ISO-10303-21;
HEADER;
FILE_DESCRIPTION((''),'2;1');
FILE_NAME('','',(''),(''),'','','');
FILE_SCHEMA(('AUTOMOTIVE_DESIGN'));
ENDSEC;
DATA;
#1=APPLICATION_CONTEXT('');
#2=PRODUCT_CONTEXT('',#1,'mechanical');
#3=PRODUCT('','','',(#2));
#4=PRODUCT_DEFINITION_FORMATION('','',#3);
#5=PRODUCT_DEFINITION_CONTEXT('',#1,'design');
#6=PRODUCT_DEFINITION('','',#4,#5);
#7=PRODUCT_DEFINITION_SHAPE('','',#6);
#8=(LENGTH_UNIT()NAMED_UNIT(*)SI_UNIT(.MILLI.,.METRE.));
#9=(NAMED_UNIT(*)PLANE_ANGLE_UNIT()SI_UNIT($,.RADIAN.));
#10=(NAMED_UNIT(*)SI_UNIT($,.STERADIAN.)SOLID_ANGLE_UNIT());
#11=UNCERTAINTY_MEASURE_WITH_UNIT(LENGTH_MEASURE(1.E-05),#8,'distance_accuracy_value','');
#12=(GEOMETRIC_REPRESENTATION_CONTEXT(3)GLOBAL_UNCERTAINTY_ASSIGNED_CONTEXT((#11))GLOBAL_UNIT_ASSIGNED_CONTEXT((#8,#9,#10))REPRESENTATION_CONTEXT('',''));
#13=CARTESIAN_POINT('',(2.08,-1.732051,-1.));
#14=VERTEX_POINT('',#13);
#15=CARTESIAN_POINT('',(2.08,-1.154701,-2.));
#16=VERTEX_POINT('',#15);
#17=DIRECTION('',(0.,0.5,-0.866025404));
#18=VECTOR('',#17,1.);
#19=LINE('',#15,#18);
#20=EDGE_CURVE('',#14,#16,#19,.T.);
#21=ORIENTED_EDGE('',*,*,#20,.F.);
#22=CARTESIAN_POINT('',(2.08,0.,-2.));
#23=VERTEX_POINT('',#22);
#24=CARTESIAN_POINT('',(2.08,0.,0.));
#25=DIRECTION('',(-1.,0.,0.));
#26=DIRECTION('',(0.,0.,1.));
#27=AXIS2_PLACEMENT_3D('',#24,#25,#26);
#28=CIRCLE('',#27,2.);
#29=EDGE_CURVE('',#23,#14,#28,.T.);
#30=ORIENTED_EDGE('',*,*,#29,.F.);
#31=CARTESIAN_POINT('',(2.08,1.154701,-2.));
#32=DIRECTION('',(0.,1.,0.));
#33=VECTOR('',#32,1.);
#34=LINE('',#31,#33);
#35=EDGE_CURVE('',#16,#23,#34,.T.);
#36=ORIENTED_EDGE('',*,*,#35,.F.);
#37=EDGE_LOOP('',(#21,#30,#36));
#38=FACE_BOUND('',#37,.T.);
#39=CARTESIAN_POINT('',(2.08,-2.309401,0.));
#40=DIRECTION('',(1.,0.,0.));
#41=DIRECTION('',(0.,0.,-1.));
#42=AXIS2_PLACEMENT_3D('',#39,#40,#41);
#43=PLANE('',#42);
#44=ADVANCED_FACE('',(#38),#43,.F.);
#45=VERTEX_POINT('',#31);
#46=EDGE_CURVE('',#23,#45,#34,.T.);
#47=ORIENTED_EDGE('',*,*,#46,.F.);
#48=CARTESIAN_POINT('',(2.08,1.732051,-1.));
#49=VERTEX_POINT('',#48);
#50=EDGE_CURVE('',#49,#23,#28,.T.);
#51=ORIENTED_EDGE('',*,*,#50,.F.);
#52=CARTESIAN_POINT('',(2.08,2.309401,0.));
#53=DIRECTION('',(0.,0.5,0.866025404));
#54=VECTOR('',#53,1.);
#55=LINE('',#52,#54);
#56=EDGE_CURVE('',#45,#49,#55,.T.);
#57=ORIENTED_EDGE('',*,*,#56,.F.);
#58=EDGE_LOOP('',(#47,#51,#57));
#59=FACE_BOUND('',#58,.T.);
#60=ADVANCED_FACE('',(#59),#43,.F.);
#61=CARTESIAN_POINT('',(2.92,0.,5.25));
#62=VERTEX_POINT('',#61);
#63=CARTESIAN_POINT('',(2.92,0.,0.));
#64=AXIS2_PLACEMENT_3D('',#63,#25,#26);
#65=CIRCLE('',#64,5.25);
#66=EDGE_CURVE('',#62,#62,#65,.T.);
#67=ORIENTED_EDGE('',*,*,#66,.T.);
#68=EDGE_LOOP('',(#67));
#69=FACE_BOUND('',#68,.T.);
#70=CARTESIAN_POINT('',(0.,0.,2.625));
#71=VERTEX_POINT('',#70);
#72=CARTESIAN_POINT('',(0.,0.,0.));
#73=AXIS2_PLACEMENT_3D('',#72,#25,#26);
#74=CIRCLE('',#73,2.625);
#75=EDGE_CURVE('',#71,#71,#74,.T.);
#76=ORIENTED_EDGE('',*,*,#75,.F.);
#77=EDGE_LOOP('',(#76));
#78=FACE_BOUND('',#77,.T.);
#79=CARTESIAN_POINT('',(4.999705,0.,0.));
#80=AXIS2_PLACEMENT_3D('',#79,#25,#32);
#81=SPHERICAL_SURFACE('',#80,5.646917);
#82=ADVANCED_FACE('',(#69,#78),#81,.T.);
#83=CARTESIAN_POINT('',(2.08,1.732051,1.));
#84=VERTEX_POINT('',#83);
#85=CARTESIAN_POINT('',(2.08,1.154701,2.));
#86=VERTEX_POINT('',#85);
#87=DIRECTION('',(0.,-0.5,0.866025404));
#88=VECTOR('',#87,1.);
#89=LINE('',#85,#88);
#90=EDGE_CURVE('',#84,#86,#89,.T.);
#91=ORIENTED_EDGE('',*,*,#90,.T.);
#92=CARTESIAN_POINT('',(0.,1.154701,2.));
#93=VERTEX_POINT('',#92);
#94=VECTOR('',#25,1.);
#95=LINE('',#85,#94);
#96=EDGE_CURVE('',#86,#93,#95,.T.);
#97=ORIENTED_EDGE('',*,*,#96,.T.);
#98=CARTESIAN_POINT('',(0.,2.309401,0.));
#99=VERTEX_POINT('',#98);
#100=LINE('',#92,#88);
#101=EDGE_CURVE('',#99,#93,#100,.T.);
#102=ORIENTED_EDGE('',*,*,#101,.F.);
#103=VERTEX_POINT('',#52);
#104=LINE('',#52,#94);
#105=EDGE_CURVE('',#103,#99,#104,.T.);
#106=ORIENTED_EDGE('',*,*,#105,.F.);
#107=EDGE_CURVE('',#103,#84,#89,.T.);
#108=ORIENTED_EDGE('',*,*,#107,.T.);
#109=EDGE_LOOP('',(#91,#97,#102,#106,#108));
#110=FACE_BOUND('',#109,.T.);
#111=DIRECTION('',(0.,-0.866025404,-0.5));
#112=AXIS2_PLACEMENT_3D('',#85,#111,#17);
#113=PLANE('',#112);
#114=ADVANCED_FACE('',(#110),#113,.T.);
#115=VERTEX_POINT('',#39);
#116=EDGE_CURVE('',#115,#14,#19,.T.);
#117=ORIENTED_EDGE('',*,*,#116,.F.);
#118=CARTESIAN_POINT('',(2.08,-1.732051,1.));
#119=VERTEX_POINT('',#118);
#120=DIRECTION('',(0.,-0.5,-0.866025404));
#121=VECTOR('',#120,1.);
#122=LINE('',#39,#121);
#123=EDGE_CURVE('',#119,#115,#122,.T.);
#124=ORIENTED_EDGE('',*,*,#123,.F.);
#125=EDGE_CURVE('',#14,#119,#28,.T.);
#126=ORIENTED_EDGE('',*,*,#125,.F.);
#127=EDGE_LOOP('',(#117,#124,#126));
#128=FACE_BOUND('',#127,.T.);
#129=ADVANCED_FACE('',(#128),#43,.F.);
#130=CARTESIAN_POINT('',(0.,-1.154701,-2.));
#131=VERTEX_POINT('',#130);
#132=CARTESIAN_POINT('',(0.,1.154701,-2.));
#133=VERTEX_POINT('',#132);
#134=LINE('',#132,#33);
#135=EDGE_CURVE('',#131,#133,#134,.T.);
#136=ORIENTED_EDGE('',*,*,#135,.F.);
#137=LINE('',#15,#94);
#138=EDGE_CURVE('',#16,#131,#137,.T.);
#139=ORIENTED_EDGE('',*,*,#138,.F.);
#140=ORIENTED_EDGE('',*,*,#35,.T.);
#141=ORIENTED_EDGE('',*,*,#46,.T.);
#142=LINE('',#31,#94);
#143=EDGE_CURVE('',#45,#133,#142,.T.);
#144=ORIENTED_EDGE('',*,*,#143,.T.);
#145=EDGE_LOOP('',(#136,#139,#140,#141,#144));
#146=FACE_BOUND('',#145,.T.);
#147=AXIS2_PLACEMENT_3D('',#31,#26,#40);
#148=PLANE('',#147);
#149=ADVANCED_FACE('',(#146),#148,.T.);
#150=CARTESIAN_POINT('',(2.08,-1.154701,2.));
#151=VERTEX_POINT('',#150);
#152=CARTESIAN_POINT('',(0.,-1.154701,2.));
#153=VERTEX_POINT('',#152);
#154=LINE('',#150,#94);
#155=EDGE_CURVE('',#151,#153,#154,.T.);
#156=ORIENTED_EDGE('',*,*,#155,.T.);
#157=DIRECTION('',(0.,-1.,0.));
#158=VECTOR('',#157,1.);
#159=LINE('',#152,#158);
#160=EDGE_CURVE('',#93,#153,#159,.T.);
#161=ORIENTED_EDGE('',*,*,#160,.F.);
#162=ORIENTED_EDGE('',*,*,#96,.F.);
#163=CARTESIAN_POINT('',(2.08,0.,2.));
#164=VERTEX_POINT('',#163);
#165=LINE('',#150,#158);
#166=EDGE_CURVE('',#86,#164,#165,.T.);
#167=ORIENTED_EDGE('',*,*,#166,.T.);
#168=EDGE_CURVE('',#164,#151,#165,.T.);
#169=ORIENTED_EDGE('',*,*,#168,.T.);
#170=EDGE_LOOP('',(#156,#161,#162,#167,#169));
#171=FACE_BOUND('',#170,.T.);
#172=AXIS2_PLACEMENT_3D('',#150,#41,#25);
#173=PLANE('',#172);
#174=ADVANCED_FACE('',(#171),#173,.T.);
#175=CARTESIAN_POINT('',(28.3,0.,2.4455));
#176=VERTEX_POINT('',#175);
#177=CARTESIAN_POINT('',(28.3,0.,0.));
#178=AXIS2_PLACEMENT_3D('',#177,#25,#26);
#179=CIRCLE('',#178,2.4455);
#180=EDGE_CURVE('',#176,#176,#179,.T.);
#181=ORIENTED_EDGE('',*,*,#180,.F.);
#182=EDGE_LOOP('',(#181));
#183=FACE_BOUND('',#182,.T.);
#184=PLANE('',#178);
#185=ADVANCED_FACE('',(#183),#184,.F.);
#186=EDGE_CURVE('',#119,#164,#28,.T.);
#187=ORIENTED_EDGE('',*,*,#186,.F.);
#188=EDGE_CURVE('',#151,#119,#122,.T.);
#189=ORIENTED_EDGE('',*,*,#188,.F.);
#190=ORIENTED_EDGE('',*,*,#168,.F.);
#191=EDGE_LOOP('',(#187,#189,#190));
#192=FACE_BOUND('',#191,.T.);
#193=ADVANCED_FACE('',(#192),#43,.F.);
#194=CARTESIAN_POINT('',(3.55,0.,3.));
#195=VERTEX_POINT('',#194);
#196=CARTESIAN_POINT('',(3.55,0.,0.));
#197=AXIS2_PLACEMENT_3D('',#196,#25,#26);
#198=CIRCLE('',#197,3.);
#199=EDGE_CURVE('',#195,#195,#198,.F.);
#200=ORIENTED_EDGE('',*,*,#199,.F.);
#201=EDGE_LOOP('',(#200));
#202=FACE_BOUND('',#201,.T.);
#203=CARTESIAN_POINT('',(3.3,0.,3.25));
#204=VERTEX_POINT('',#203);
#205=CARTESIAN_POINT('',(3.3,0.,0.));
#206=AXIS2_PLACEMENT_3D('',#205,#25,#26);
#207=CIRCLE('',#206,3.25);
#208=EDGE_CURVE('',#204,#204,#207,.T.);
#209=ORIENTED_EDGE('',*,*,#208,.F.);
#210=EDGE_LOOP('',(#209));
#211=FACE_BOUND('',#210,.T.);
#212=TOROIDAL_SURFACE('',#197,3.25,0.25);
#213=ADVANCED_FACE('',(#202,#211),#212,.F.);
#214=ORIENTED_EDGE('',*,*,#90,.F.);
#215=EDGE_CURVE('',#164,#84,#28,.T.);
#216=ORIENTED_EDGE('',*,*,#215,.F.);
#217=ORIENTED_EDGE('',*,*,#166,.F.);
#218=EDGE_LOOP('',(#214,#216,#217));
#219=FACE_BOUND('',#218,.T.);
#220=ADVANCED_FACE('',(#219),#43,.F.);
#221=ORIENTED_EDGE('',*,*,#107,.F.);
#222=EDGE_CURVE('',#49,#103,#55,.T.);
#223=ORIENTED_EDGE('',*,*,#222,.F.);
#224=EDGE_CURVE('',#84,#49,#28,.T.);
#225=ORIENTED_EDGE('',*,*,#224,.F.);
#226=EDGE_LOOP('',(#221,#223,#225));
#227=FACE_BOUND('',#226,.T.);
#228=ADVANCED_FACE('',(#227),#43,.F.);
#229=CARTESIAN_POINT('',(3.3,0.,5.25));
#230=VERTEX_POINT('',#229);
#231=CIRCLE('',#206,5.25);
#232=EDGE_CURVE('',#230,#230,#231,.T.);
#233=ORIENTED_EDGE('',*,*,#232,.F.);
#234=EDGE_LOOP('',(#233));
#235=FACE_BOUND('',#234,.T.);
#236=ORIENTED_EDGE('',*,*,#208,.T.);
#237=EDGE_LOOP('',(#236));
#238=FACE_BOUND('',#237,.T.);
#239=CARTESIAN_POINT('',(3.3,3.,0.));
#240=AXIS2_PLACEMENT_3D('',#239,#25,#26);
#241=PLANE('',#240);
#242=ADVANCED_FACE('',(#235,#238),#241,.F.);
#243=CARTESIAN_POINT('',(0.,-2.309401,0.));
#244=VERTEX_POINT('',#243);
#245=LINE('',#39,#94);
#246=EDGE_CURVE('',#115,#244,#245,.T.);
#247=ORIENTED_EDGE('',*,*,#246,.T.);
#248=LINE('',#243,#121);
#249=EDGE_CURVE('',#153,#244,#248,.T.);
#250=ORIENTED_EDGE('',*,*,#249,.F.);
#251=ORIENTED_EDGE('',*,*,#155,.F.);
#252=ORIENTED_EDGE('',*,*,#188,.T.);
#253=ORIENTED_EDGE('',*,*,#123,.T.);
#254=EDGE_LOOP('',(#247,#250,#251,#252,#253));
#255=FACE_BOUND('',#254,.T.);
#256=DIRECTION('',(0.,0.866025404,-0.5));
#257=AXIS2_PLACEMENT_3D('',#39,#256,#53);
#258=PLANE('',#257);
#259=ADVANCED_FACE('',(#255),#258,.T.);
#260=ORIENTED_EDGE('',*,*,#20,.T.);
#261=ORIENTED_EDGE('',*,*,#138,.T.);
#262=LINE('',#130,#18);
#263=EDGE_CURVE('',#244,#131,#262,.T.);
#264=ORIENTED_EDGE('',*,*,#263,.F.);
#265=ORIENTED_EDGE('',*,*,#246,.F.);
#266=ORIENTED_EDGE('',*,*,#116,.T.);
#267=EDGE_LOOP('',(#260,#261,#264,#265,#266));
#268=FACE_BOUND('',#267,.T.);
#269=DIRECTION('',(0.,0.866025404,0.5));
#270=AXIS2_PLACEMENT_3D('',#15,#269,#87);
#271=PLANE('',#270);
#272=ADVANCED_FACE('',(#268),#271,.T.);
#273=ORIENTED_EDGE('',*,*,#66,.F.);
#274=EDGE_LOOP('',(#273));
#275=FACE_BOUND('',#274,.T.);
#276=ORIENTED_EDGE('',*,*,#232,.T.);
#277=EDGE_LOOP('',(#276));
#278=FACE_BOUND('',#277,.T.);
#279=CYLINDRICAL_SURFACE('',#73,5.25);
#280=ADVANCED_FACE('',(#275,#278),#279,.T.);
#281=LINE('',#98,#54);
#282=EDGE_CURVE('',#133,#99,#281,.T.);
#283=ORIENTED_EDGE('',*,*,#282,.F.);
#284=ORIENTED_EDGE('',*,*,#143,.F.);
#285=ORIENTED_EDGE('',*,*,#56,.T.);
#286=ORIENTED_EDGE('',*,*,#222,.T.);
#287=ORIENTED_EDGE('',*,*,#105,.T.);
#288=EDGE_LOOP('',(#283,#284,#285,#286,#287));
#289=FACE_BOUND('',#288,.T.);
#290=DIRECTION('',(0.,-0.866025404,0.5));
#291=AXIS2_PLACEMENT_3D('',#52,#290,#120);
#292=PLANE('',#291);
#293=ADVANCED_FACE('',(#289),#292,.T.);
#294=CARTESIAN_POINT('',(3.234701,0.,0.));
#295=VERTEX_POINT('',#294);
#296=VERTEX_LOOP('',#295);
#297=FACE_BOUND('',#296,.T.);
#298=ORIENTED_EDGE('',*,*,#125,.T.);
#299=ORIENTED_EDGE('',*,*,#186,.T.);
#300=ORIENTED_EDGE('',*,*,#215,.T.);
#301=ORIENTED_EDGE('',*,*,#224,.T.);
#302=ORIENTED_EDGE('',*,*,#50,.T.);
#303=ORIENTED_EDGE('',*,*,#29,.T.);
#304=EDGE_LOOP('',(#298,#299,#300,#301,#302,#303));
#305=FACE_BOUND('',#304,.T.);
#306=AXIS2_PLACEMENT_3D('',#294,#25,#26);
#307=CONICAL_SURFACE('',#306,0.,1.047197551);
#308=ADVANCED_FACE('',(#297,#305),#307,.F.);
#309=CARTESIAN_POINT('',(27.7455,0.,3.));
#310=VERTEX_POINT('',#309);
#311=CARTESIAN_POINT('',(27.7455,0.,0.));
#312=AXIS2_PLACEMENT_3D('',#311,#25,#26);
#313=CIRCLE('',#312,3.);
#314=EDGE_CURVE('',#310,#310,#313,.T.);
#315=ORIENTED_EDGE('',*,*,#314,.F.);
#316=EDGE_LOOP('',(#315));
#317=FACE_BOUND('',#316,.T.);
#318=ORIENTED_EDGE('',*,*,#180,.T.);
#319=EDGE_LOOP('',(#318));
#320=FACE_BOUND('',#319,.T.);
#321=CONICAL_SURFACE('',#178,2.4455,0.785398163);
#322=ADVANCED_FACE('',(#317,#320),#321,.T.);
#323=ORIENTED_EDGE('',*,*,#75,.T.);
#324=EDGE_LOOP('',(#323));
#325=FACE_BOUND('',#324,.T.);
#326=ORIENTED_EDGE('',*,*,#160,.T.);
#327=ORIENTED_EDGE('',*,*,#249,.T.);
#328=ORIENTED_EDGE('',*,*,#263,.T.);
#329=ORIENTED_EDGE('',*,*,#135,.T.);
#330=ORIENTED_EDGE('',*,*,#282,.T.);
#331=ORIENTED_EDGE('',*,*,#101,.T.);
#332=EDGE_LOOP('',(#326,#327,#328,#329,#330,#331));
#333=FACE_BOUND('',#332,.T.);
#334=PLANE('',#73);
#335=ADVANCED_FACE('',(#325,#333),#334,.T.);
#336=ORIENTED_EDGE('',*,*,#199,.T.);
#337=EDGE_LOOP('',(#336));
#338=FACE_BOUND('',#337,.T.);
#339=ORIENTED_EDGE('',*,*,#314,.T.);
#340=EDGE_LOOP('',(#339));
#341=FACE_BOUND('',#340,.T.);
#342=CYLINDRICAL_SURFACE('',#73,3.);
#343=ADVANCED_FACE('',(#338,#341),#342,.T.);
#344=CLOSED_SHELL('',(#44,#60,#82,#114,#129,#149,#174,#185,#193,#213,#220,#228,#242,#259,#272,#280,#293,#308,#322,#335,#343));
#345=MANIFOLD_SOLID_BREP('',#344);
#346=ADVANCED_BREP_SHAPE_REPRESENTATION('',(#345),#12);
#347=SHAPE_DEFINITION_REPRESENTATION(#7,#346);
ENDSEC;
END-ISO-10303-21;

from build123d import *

# Parameters (mm, degrees)
FILLET1_R   = 0.25
HEX_2_DEPTH = 2.08


with BuildPart() as part:
    # BodySke → BaseBody (revolve)
    with BuildSketch(Plane.XY):
        with BuildLine():
            Line((28.3, 0), (28.3, 2.4455))
            Line((28.3, 2.4455), (27.7455, 3))
            Line((27.7455, 3), (3.3, 3))
            Line((3.3, 3), (3.3, 5.25))
            Line((3.3, 5.25), (2.92, 5.25))
            ThreePointArc((2.92, 5.25), (1.224500646, 4.199464996), (0, 2.625))
            Line((0, 2.625), (0, 0))
            Line((0, 0), (28.3, 0))
        make_face()
    revolve(axis=Axis((0, 0, 0), (1, 0, 0)))

    # Fillet1
    fillet1_edges = [part.edges().sort_by_distance(p)[0] for p in [
        (3.3, -3, 0),
    ]]
    fillet(fillet1_edges, radius=FILLET1_R)

    # Sketch2 → PreBroach (revolve, cut)
    with BuildSketch(Plane.XY):
        Polygon((0, 2), (2.08, 2), (3.234700538, 0), (0, 0), align=None)
    revolve(axis=Axis((0, 0, 0), (1, 0, 0)), mode=Mode.SUBTRACT)

    # Sketch3 → Hex 2 (cut)
    with BuildSketch(Plane(origin=(0, 0, 0), x_dir=(0, 0, -1), z_dir=(1, 0, 0))):
        Polygon((-2, -1.154700538), (-2, 1.154700538), (0, 2.309401077), (2, 1.154700538), (2, -1.154700538), (0, -2.309401077), align=None)
    extrude(amount=HEX_2_DEPTH, mode=Mode.SUBTRACT)


solid = part.part
